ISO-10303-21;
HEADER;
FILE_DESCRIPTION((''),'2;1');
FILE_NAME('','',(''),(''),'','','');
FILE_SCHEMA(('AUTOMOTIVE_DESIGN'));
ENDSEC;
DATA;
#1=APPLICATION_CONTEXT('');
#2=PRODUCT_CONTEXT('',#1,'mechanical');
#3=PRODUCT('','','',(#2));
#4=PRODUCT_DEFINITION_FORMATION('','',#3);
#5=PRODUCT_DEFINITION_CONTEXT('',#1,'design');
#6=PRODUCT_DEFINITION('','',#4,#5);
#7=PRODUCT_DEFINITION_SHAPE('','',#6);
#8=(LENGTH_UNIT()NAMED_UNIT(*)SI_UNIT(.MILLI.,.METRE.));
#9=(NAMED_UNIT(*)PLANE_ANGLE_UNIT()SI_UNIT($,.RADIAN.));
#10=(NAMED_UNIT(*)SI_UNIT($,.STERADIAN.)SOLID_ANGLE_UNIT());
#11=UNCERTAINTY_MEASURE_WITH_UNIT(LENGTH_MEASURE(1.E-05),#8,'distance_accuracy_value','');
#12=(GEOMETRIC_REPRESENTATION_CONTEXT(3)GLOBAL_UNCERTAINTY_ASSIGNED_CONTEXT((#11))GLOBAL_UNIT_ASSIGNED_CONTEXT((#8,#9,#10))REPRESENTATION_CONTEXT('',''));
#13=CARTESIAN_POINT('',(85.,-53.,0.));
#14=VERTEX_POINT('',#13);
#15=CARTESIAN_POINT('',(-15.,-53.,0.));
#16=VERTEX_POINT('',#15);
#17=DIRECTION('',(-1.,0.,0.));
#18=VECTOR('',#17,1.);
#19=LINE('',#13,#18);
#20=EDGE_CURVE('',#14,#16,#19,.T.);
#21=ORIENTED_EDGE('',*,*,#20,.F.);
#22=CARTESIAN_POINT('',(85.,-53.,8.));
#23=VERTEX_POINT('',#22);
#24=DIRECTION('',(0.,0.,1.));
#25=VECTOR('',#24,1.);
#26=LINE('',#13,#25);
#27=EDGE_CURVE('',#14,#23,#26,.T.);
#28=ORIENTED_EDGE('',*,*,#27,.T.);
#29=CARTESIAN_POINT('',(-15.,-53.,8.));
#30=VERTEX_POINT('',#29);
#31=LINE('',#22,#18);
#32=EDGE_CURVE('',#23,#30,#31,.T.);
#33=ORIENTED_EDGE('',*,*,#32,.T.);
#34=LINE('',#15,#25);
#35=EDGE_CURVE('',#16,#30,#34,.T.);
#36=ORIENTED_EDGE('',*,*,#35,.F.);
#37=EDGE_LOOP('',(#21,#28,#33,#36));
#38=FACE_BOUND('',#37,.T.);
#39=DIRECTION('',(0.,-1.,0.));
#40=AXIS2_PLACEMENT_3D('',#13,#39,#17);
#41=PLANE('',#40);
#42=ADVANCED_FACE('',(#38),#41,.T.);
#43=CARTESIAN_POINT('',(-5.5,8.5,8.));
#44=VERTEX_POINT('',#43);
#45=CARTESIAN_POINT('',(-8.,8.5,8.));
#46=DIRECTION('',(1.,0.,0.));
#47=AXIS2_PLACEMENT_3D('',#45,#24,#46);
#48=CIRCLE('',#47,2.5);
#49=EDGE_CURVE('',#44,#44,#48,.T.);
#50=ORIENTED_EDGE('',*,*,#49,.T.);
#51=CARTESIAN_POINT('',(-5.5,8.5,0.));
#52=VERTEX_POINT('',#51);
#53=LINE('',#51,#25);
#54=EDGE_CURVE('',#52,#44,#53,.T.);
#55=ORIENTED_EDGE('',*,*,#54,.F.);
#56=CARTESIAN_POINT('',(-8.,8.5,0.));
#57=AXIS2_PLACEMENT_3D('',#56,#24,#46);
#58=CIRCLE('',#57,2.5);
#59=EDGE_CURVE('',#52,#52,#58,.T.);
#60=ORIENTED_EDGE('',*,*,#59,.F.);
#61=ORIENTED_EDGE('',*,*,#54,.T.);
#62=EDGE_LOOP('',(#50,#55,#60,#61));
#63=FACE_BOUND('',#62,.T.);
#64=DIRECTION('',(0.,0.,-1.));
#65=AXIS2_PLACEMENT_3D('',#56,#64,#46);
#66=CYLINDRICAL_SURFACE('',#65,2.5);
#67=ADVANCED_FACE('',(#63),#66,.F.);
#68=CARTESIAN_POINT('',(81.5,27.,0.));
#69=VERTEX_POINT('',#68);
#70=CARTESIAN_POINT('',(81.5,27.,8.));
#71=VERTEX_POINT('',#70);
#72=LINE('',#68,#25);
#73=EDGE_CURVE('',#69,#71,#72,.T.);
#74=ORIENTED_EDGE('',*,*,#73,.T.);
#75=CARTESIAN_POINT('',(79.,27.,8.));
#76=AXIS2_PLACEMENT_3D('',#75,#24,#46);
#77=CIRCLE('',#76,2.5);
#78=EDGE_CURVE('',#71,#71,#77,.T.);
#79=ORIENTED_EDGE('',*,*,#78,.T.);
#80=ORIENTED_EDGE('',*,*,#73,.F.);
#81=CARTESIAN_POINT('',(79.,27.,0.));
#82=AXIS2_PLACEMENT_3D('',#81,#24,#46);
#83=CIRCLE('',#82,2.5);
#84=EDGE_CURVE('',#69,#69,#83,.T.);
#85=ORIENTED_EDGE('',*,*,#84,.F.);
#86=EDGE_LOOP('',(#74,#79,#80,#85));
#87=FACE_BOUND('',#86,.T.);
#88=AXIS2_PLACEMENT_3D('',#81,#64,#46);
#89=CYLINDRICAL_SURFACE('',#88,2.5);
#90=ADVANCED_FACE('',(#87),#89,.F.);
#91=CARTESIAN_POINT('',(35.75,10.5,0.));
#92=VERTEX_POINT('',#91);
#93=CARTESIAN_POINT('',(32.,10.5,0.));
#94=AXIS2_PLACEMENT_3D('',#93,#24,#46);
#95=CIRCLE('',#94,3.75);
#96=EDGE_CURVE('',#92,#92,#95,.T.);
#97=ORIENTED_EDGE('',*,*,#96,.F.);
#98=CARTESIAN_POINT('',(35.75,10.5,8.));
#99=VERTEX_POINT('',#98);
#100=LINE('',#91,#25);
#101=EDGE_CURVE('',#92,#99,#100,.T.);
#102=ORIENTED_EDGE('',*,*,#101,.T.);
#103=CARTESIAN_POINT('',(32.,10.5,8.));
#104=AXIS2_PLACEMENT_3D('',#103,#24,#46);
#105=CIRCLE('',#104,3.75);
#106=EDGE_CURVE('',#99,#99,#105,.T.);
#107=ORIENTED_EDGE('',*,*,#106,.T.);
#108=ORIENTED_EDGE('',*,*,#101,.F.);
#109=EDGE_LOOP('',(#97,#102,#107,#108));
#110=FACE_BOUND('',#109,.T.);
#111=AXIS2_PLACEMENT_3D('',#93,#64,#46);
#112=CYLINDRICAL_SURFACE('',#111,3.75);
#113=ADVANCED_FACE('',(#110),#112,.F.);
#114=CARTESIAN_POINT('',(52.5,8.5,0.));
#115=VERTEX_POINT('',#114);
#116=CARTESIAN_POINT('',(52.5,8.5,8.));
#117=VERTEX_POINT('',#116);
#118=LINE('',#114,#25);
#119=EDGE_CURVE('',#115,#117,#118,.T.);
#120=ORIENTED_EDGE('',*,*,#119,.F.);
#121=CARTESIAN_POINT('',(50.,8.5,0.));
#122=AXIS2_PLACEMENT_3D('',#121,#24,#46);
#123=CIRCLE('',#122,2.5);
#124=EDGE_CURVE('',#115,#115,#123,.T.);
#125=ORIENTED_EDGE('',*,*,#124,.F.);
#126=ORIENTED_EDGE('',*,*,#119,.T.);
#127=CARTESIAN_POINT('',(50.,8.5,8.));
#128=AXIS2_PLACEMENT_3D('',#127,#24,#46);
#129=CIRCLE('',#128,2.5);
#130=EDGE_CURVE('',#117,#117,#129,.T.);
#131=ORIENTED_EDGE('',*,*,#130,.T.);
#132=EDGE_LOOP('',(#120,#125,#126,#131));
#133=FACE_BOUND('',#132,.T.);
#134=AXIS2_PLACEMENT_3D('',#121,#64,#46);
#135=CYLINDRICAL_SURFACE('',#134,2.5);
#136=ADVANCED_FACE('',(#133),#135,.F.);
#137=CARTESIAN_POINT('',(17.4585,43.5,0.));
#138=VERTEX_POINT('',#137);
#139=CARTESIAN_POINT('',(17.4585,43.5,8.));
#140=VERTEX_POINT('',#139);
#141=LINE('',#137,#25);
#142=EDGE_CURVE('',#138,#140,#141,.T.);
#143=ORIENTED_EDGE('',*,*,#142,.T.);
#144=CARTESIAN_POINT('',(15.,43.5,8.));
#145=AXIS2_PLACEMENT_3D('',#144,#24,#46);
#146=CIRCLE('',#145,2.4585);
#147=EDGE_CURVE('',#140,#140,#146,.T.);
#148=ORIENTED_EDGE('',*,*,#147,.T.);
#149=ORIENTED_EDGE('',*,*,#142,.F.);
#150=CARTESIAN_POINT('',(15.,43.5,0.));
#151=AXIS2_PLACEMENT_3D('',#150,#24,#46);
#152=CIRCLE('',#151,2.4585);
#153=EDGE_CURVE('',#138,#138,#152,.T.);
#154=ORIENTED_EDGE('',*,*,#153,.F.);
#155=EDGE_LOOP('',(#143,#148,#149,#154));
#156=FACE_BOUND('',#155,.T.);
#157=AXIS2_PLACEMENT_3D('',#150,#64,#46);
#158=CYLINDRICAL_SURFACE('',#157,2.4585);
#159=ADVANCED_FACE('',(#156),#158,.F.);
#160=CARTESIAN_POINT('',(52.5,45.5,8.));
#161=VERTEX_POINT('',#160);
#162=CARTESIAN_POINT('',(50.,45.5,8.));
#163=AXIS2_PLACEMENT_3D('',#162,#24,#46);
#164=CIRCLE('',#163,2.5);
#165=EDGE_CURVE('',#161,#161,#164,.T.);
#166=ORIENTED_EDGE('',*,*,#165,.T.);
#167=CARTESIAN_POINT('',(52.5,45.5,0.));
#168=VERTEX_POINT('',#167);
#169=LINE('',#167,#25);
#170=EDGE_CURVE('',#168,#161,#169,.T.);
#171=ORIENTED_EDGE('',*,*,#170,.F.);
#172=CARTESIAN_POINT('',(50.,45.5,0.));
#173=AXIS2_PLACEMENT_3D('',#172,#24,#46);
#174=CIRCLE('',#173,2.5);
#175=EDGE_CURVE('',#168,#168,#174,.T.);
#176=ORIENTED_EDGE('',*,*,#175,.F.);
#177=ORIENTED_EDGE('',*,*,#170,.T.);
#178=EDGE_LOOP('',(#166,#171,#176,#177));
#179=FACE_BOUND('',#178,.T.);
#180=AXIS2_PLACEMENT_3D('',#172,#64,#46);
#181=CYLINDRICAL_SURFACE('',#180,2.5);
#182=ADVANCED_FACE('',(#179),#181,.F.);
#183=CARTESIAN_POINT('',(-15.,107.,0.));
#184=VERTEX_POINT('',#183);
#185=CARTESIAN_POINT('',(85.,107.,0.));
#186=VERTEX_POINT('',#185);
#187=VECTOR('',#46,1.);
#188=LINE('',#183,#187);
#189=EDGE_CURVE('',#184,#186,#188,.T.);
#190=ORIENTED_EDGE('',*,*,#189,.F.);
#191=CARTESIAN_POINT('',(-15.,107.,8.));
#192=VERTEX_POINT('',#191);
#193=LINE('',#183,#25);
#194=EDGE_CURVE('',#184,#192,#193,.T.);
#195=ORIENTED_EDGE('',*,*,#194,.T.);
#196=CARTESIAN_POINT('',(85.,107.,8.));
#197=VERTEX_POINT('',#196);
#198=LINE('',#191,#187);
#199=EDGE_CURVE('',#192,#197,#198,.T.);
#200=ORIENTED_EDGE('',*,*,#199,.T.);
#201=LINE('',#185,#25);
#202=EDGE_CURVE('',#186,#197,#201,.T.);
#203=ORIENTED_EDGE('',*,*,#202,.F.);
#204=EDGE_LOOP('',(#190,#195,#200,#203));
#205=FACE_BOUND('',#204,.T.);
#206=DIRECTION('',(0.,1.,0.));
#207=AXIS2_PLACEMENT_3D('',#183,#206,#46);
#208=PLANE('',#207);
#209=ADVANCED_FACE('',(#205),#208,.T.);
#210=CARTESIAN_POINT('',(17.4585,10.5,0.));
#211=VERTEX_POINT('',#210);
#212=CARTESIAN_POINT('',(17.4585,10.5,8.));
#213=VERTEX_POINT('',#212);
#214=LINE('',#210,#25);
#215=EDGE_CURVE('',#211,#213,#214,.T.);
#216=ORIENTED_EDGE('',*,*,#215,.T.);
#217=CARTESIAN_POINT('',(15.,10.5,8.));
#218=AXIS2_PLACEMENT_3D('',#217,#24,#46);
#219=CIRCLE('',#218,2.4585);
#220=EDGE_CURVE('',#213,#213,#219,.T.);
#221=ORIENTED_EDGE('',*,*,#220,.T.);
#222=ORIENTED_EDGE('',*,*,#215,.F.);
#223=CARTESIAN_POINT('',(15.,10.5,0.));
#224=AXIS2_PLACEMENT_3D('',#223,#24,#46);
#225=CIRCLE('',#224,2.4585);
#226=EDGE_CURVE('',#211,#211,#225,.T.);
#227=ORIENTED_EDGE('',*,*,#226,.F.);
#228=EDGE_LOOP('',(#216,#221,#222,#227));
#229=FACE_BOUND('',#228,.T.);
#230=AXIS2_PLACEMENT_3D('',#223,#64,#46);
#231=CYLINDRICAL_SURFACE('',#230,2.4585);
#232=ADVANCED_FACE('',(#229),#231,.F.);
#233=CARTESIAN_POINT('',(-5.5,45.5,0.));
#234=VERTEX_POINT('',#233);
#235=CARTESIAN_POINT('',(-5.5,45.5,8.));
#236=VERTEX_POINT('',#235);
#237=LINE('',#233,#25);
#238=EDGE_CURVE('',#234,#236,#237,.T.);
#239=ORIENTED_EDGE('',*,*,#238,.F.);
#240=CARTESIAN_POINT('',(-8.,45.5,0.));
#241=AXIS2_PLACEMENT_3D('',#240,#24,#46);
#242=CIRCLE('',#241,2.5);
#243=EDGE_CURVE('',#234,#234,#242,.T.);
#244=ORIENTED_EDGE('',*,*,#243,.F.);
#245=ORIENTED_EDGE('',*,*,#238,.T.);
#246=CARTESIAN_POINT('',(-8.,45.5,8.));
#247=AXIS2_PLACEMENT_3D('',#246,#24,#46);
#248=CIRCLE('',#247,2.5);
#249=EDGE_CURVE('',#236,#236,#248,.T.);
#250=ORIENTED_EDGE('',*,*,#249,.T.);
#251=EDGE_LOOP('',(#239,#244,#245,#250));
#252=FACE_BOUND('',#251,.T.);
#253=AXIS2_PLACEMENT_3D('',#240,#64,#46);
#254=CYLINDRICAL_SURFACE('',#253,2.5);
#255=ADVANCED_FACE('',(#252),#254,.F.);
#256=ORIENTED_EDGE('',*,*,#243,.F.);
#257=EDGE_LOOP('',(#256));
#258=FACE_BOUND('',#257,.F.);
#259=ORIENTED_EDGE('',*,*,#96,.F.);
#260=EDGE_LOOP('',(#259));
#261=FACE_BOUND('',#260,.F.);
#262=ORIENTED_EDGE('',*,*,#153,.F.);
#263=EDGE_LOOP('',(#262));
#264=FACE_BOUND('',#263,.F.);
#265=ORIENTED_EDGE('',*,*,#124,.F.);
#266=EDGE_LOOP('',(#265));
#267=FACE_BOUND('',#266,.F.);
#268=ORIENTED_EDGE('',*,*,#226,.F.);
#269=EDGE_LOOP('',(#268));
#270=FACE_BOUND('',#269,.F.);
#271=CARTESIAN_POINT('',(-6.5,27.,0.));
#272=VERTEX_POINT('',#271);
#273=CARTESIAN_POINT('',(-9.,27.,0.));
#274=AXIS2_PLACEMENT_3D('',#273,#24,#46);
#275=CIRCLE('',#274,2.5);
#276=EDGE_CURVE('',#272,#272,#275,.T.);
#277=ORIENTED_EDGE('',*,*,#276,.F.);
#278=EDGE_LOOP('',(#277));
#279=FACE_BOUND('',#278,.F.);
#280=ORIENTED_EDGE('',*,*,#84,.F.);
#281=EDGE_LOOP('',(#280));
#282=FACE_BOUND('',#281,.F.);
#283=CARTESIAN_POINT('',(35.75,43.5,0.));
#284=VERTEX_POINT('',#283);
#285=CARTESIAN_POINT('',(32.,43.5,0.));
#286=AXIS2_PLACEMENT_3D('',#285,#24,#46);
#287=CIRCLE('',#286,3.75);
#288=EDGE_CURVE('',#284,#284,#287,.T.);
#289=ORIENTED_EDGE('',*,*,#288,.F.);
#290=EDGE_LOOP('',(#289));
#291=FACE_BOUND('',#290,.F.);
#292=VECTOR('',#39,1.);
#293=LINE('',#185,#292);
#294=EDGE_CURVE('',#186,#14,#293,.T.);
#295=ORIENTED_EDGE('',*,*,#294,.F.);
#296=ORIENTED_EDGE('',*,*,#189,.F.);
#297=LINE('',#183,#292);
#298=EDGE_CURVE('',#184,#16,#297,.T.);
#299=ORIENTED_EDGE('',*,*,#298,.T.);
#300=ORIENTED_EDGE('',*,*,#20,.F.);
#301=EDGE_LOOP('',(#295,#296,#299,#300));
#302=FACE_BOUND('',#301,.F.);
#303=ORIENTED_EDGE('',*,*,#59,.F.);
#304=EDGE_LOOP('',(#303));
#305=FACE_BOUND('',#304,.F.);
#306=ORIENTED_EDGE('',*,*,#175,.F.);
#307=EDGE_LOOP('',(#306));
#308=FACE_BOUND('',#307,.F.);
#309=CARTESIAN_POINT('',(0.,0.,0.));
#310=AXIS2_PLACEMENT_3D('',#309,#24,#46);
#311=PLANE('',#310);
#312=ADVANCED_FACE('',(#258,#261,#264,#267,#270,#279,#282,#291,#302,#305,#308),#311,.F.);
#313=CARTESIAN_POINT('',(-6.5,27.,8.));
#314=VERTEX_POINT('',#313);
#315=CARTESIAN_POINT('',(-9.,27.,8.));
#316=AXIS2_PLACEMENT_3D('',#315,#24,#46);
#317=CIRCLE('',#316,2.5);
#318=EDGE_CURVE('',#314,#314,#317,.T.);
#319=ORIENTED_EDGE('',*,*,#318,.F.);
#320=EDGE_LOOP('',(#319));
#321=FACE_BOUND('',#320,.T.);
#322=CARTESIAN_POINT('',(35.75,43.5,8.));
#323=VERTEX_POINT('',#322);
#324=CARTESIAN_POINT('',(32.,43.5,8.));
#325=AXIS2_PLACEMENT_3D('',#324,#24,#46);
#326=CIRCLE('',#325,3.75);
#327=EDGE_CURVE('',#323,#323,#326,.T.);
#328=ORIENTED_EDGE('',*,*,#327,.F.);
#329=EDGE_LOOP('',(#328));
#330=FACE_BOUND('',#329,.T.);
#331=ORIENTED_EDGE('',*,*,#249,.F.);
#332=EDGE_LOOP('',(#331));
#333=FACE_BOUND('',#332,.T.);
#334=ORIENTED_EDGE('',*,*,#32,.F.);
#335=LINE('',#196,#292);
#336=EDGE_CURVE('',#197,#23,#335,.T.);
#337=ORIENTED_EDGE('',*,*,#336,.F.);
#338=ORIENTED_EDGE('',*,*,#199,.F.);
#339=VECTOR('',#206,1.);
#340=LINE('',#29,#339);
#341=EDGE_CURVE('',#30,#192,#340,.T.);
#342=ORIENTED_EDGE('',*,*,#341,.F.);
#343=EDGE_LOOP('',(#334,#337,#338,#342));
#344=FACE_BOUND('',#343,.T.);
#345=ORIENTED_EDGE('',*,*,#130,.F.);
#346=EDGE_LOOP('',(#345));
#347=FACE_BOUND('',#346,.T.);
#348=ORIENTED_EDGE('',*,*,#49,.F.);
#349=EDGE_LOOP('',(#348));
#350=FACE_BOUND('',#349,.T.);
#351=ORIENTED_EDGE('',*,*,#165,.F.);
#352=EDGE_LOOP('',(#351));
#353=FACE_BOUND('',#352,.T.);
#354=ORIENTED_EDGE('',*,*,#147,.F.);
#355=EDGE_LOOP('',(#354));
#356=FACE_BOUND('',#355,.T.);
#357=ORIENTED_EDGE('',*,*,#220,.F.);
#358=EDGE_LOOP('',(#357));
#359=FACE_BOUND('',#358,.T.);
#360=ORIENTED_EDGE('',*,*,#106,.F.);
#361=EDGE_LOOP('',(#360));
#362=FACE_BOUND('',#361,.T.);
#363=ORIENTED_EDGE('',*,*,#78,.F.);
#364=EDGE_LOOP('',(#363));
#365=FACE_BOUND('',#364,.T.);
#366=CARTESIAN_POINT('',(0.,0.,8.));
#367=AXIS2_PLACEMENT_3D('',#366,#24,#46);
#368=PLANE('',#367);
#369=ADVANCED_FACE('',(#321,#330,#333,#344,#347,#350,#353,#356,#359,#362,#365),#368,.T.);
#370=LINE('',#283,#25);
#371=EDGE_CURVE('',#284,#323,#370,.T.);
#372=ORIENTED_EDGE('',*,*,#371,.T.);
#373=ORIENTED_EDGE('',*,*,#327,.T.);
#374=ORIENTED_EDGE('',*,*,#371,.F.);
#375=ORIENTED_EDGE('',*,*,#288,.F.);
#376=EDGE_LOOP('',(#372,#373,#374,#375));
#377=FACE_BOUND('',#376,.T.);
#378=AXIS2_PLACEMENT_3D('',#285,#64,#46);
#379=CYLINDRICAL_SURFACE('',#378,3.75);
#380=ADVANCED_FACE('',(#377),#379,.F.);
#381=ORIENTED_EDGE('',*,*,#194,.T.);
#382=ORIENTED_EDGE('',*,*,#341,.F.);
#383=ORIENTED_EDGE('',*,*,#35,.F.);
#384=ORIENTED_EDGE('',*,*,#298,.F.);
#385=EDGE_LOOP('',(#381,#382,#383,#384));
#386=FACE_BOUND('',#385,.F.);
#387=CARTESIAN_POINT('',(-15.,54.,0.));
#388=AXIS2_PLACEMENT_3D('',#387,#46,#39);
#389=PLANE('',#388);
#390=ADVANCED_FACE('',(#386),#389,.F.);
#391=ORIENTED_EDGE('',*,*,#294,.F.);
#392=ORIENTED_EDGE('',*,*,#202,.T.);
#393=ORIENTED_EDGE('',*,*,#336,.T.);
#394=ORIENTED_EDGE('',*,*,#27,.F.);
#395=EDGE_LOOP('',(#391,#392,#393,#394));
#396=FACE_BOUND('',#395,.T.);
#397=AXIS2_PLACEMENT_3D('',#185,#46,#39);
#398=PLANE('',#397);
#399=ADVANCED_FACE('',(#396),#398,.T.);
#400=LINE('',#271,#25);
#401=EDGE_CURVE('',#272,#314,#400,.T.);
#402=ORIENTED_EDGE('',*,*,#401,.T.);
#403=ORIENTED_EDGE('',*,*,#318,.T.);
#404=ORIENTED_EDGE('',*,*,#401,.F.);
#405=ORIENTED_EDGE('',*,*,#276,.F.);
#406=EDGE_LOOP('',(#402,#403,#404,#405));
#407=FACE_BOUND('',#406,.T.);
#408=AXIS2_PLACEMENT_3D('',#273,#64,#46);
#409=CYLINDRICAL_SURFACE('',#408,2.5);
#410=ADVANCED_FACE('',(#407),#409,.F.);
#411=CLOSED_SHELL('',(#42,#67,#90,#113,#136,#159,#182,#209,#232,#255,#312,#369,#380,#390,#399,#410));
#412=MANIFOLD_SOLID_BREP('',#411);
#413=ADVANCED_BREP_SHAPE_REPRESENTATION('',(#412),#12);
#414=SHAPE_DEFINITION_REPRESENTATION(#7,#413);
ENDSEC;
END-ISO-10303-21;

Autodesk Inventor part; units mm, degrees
ref_plane "YZ Plane" through (0, 0, 0) normal (1, 0, 0) x (0, 1, 0)
ref_plane "XZ Plane" through (0, 0, 0) normal (0, 1, 0) x (-1, 0, 0)
ref_plane "XY Plane" through (0, 0, 0) normal (0, 0, 1) x (1, 0, 0)
sketch "Sketch1" plane through (0, 0, 0) normal (0, 0, 1) x (1, 0, 0)
  circle A0 centre (50, 45.5) radius 2.5 projected
  circle A1 centre (-8, 45.5) radius 2.5 projected
  circle A2 centre (32, 43.5) radius 3.75 projected
  circle A3 centre (15, 43.5) radius 2.4585 projected
  line L0 (57, 54) -> (-15, 54) projected
  line L1 (-15, 54) -> (-15, 37) projected
  line L2 (57, 37) -> (-15, 37) projected
  line L3 (57, 54) -> (57, 37) projected
  circle A4 centre (50, 8.5) radius 2.5 projected
  circle A5 centre (-8, 8.5) radius 2.5 projected
  circle A6 centre (32, 10.5) radius 3.75 projected
  circle A7 centre (15, 10.5) radius 2.4585 projected
  line L4 (57, 0) -> (-15, 0) projected
  line L5 (57, 0) -> (57, 17) projected
  line L6 (57, 17) -> (-15, 17) projected
  line L7 (-15, 0) -> (-15, 17) projected
  line L8 (-15, 107) -> (85, 107)
  line L9 (85, 107) -> (85, -53)
  line L10 (85, -53) -> (-15, -53)
  line L11 (-15, -53) -> (-15, 107)
  line L12 (-94.8305, 27) -> (141.7075, 27) construction
  circle A8 centre (-9, 27) radius 2.5
  circle A9 centre (79, 27) radius 2.5
  point P0 (0, 0)
  point P1 (52.2653, 16.3)
  dimension "d0" = 100
  dimension "d1" = 160
  dimension "d2" = 20
  dimension "d3" = 10
  dimension "d4" = 72
  dimension "d5" = 0
  dimension "d6" = 80
  dimension "d7" = 5
  dimension "d8" = 5
  dimension "d9" = 6
  dimension "d10" = 6
extrude "Extrusion1" add sketch "Sketch1" along normal blind 8
equation "\"d3\" = 0.5 * d2"
equation "\"d6\" = 0.5 * d1"
properties part number "spool main support"
